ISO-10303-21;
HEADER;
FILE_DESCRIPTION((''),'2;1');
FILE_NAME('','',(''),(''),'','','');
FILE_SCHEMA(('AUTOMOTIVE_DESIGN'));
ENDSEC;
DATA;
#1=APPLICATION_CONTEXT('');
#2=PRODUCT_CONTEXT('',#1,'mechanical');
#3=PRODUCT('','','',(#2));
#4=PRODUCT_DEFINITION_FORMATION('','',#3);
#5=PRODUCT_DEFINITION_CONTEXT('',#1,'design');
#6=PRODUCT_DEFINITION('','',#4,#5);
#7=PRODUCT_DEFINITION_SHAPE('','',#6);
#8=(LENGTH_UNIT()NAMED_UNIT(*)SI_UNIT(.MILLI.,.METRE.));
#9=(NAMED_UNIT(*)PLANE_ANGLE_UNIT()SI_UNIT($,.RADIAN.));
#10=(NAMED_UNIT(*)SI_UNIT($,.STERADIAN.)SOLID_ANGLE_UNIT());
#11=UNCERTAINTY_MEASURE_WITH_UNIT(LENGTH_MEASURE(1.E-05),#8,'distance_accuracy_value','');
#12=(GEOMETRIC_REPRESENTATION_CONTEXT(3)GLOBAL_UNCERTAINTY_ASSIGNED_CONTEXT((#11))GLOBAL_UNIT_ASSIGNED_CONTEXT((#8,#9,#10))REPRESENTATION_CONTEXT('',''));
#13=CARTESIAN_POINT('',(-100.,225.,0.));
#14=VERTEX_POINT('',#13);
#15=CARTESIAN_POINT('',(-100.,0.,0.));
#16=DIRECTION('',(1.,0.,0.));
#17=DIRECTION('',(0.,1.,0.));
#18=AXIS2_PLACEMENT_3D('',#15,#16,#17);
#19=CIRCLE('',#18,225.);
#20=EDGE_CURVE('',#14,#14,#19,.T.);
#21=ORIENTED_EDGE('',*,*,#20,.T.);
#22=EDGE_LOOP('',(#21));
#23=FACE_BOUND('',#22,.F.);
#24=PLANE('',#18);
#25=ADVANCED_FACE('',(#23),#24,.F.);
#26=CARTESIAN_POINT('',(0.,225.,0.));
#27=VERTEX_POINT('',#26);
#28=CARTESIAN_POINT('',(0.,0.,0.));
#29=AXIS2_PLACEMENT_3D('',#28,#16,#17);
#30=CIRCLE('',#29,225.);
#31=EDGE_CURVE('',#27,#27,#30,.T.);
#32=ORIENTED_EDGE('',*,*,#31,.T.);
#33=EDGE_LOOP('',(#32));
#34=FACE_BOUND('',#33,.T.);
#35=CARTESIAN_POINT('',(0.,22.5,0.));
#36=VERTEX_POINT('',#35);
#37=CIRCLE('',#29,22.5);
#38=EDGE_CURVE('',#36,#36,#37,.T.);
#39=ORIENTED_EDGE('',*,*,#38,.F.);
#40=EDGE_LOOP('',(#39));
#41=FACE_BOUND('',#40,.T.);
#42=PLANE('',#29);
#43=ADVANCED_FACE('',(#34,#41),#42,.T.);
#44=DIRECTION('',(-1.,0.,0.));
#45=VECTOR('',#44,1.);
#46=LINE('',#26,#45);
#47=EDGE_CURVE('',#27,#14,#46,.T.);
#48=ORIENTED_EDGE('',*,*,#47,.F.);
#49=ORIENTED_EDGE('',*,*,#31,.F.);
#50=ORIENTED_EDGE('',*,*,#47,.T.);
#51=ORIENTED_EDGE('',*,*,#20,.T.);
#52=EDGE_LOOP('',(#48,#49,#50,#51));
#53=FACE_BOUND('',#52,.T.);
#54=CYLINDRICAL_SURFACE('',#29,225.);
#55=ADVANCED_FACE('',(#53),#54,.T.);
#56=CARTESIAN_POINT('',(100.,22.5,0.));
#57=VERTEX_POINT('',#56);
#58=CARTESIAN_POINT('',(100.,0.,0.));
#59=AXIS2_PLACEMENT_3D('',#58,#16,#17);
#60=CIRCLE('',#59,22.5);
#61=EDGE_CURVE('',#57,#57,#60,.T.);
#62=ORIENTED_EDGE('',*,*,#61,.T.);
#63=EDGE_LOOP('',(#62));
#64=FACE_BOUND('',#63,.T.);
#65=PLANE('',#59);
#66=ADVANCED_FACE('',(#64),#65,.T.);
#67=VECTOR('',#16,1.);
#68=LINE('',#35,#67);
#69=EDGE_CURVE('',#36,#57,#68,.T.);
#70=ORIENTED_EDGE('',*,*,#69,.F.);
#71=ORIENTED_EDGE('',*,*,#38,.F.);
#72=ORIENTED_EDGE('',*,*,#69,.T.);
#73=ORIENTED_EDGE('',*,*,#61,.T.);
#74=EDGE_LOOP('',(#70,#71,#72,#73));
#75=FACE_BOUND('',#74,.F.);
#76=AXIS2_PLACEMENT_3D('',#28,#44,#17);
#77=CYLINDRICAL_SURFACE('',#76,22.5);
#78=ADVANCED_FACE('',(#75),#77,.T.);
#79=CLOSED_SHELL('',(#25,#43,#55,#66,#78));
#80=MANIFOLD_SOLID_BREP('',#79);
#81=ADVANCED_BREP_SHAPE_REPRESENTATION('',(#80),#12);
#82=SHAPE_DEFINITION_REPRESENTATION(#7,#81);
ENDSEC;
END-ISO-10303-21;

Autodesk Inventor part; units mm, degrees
ref_plane "YZ Plane" through (0, 0, 0) normal (1, 0, 0) x (0, 1, 0)
ref_plane "XZ Plane" through (0, 0, 0) normal (0, 1, 0) x (-1, 0, 0)
ref_plane "XY Plane" through (0, 0, 0) normal (0, 0, 1) x (1, 0, 0)
sketch "草圖1" plane through (0, 0, 0) normal (1, 0, 0) x (0, 1, 0)
  circle A0 centre (0, 0) radius 22.5
  circle A1 centre (0, 0) radius 225
  dimension "d0" = 45
  dimension "d1" = 450
extrude "擠出1" add sketch "草圖1" along normal blind 100 contours A0
extrude "擠出2" add sketch "草圖1" against normal blind 100 contours A0 | A1
properties part number "車輪"
